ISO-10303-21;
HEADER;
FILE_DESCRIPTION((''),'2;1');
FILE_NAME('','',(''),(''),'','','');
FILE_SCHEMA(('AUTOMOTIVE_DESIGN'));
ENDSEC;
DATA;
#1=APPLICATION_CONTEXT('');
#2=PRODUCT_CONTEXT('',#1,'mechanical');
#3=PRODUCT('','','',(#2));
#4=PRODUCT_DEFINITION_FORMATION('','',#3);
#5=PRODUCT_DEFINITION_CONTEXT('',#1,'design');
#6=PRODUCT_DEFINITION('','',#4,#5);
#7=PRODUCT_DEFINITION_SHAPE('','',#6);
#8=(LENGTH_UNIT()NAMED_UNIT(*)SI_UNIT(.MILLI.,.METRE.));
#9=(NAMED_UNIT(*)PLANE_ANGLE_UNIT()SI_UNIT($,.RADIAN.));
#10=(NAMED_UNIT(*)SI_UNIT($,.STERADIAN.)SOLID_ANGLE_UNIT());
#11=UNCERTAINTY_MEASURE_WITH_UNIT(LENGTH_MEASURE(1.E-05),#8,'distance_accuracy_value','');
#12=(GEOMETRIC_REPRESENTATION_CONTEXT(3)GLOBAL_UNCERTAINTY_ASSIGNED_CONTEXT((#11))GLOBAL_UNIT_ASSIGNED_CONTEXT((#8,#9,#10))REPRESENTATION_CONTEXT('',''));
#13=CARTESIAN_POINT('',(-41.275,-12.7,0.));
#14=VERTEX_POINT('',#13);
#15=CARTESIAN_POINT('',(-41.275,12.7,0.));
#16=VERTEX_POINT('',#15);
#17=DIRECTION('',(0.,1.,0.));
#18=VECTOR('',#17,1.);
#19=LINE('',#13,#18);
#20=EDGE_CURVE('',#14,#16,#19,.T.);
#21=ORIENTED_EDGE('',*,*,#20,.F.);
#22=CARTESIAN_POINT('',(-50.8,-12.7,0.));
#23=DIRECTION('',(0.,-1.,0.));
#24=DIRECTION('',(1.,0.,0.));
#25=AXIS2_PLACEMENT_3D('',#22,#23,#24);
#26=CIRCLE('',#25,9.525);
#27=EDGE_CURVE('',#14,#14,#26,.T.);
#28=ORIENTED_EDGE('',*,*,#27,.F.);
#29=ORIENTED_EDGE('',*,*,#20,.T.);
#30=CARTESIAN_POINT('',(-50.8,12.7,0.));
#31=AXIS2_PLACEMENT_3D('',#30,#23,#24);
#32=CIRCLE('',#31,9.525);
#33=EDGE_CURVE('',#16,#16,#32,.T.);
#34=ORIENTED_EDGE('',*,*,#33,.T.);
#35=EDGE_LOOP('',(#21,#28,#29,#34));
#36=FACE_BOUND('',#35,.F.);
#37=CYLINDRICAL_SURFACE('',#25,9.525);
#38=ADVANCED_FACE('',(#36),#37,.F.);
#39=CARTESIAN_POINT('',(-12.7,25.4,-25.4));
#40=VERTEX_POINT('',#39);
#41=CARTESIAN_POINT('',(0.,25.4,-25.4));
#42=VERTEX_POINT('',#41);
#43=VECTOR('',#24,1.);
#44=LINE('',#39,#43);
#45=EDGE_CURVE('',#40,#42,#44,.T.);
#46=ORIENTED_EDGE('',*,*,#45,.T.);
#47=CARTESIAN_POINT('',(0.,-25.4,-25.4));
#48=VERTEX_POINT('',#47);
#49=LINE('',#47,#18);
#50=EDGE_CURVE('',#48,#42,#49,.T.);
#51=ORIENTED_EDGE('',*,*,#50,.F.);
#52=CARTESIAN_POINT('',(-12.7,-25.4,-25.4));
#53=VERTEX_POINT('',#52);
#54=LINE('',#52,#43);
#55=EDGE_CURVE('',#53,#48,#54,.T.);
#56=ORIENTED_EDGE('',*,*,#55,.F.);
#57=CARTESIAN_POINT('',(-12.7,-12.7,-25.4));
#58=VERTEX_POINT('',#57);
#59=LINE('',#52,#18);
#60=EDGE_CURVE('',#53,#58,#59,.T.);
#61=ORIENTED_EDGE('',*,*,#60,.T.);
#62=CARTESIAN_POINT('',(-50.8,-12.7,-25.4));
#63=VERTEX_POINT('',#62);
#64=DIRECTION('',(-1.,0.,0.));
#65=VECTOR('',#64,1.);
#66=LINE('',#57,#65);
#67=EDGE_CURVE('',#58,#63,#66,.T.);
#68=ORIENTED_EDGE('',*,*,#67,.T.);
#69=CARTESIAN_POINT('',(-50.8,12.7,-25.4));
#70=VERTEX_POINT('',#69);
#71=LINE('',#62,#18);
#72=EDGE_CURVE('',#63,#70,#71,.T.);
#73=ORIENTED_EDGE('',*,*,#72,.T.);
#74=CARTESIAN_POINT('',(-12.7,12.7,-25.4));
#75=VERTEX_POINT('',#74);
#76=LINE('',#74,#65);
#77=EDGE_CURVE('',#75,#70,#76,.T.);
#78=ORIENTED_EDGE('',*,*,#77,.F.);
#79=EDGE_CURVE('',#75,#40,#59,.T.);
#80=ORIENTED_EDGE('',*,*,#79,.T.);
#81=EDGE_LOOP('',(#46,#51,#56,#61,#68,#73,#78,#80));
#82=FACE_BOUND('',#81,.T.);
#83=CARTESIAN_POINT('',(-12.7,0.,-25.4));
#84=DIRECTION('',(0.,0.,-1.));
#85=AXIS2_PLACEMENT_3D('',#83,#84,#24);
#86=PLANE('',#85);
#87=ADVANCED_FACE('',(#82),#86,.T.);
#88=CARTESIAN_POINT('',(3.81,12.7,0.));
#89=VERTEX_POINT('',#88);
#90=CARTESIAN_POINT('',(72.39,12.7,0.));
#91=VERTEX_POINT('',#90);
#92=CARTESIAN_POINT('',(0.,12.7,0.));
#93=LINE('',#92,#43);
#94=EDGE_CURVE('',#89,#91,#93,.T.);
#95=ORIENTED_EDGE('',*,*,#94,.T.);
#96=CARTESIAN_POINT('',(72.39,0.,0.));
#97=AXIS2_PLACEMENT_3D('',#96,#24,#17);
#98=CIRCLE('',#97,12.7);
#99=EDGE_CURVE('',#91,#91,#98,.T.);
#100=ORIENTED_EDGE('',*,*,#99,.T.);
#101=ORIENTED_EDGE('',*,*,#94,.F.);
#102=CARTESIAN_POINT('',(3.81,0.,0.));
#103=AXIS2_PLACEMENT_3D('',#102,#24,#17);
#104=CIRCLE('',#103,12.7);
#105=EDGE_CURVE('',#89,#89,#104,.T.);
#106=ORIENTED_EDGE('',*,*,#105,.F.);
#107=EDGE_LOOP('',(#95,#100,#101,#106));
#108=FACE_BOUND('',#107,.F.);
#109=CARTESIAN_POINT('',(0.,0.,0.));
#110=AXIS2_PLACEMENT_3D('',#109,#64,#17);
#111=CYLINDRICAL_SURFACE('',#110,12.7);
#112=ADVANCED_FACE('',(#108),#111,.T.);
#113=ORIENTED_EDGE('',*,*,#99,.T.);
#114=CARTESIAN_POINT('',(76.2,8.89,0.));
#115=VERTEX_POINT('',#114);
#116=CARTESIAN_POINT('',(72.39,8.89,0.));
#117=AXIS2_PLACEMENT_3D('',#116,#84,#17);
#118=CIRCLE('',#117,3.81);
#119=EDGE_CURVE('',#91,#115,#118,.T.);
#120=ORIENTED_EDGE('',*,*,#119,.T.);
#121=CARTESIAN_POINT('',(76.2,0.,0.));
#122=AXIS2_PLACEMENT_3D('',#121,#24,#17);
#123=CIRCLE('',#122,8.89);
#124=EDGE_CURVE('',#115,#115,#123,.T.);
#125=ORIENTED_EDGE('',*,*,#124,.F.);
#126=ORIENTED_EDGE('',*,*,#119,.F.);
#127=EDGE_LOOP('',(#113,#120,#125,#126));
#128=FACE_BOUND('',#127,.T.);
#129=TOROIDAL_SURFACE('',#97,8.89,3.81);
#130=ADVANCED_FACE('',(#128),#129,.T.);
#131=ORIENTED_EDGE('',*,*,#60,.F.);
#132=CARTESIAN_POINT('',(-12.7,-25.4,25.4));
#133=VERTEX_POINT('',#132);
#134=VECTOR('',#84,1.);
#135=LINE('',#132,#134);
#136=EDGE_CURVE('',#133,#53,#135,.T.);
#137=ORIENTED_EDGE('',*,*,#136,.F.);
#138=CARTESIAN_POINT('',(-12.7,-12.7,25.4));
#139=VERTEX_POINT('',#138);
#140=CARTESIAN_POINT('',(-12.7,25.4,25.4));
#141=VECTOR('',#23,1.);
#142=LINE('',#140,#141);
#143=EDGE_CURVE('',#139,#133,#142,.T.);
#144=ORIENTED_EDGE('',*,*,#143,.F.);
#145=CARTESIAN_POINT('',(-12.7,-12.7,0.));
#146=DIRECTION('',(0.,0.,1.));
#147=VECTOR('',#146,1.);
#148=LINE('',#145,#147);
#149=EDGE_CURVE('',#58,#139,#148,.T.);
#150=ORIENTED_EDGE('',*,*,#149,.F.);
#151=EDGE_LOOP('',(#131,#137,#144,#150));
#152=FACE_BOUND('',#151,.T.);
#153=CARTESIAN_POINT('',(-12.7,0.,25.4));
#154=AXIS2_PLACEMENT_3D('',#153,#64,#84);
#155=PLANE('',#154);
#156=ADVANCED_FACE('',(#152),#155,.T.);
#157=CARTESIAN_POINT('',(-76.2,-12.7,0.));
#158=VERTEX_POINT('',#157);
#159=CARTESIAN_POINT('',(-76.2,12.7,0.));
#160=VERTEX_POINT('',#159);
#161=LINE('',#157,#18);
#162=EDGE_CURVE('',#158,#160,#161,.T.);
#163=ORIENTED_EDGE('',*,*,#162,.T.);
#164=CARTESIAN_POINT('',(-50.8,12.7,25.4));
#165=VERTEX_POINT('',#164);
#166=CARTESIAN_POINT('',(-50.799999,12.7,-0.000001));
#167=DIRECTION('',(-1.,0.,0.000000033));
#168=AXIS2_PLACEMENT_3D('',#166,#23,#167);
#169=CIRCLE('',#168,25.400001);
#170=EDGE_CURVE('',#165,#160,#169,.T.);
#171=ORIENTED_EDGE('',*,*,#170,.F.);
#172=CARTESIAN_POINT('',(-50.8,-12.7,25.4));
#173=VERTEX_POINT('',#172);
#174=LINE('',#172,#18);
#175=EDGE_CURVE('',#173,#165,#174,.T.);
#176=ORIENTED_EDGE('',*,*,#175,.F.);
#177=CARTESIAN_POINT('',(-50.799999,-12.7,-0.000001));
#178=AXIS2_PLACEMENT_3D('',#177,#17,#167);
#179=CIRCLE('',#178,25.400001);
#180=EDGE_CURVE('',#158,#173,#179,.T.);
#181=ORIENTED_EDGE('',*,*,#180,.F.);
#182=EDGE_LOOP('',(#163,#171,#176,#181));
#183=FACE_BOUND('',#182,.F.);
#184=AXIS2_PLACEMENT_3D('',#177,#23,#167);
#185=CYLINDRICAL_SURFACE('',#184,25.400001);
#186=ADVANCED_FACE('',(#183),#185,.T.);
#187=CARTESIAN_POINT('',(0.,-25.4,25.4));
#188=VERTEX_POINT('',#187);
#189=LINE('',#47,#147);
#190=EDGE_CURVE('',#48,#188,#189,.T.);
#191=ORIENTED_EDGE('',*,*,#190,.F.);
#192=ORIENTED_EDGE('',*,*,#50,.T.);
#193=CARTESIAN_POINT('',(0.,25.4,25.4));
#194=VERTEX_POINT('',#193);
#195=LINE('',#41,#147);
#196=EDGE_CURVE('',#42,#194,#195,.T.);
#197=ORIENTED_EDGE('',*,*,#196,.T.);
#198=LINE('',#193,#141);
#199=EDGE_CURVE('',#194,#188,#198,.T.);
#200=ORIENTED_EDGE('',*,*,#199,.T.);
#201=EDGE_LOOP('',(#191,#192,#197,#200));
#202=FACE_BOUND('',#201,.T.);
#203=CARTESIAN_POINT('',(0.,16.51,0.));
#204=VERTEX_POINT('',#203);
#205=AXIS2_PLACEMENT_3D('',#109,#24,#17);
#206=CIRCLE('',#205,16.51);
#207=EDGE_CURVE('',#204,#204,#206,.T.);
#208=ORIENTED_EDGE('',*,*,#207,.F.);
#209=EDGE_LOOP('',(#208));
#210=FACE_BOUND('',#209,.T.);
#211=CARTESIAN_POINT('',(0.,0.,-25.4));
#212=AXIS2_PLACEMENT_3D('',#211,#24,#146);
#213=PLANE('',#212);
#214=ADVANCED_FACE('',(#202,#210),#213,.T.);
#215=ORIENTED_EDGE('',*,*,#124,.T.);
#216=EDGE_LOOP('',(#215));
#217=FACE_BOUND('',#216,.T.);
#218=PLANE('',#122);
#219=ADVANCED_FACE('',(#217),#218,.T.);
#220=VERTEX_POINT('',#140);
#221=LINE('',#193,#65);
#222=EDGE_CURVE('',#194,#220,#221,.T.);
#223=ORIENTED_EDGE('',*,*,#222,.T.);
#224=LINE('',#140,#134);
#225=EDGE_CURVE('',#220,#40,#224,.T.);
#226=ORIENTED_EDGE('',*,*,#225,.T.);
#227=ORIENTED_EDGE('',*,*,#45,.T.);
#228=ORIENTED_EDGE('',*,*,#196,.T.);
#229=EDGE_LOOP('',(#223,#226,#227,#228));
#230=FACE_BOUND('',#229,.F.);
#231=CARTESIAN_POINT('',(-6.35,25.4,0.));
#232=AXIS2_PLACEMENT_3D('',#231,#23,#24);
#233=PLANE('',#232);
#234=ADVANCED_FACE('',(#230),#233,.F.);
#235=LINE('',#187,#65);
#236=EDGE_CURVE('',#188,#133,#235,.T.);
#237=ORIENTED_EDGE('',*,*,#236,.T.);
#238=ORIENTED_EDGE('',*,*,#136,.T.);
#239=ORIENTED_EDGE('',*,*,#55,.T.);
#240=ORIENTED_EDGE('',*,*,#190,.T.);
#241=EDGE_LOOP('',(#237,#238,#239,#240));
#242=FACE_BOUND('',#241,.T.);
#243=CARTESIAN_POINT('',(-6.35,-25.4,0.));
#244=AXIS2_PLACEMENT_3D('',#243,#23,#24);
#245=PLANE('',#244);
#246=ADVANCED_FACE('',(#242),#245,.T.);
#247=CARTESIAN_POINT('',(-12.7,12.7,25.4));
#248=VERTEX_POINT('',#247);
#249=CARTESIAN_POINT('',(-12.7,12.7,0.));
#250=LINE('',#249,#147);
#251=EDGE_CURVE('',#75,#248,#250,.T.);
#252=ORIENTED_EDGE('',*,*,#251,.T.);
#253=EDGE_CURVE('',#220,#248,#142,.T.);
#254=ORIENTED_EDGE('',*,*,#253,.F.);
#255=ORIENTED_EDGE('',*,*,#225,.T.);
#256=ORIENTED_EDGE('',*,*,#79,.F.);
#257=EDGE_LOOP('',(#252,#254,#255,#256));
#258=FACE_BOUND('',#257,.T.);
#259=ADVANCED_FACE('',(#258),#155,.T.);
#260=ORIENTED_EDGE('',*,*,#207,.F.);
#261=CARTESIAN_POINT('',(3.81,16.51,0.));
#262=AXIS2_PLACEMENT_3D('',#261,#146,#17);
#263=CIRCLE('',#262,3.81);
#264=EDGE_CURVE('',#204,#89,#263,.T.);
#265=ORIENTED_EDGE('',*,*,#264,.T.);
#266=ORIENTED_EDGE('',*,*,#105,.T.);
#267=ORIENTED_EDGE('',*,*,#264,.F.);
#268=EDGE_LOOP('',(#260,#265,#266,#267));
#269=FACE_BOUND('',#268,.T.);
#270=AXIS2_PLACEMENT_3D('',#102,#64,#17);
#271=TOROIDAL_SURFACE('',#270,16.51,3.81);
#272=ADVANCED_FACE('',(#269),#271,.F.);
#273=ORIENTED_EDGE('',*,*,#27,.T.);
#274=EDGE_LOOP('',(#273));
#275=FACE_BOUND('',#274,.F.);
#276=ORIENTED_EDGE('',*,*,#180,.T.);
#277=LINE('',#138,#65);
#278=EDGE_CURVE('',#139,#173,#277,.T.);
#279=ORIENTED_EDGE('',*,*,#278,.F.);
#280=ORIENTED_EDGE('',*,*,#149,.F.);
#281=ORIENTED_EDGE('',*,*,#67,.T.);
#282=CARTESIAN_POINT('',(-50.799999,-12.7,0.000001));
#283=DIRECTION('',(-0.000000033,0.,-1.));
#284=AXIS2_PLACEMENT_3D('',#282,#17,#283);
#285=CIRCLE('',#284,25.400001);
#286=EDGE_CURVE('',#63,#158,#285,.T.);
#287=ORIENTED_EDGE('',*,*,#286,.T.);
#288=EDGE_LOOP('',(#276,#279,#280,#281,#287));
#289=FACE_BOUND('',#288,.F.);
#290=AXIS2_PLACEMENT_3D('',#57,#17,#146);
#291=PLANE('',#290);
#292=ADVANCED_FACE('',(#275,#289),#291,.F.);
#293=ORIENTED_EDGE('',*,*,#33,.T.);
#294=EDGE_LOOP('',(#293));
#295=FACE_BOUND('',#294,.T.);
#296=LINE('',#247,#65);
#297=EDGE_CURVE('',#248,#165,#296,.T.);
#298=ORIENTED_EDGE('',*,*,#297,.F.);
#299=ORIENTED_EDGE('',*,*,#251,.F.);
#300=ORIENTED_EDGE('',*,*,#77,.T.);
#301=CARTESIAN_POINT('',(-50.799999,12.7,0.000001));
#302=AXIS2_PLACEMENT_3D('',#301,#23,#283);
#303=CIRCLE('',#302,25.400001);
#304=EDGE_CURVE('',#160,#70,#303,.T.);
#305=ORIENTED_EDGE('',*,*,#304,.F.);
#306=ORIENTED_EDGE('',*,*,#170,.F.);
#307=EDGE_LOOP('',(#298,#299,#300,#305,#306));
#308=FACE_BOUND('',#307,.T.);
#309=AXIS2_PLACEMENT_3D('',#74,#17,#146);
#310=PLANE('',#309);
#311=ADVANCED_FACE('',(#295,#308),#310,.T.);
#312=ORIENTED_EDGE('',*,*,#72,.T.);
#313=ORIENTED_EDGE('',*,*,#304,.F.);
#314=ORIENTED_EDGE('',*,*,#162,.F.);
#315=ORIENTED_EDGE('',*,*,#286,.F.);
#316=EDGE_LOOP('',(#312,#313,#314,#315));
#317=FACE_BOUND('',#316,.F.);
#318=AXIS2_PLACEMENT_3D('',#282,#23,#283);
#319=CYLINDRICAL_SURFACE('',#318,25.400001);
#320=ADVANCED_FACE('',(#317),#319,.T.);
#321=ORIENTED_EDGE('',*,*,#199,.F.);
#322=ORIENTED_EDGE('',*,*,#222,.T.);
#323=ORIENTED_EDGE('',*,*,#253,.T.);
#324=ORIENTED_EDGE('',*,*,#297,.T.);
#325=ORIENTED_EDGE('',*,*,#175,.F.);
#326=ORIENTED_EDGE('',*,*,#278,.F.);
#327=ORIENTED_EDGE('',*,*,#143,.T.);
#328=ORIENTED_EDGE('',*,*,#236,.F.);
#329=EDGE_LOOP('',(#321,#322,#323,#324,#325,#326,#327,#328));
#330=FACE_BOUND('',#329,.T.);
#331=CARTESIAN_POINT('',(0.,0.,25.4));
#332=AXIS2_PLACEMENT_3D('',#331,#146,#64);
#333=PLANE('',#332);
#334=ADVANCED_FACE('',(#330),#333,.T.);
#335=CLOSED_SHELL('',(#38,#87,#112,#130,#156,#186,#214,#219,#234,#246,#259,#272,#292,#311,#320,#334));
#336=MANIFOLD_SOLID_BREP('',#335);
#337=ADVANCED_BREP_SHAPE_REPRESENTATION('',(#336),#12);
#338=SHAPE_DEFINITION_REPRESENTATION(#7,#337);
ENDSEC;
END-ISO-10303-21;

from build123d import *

# Parameters (mm, degrees)
F0_R     = 12.7
F1_DEPTH = 76.2
F3_DEPTH = 25.4
F4_W     = 25.4
F4_H     = 50.8
F5_DEPTH = 63.5
F7_DEPTH = 38.101
F6_R     = 9.525
F8_DEPTH = 38.101
F9_R     = 3.81


with BuildPart() as f1:
    # F0 (on Right) → F1 (new body)
    with BuildSketch(Plane.YZ):
        Circle(F0_R)
    extrude(amount=F1_DEPTH)

    # F2 (on Front) → F3 (join, symmetric)
    with BuildSketch(Plane.XZ):
        Polygon((0, -25.4), (0, 0), (0, 25.4), (-12.7, 25.4), (-12.7, -25.4), align=None)
    extrude(amount=F3_DEPTH, both=True)

    # F4 (on face) → F5 (join)
    with BuildSketch(Plane(origin=(-12.7, 0, 0), x_dir=(0, -1, 0), z_dir=(-1, 0, 0))):
        Rectangle(F4_W, F4_H)
    extrude(amount=F5_DEPTH)

    # F6 (on face) → F7 (cut, through all)
    with BuildSketch(Plane.XZ.offset(12.7)):
        with BuildLine():
            Line((-76.2, 25.4), (-76.2, 0))
            ThreePointArc((-76.2, 0), (-68.760512, 17.960512), (-50.8, 25.4))
            Line((-50.8, 25.4), (-76.2, 25.4))
        make_face()
        with BuildLine():
            ThreePointArc((-50.8, -25.4), (-68.760512, -17.960512), (-76.2, 0))
            Line((-76.2, 0), (-76.2, -25.4))
            Line((-76.2, -25.4), (-50.8, -25.4))
        make_face()
    extrude(amount=-F7_DEPTH, mode=Mode.SUBTRACT)

    # F6 (on face) → F8 (cut, through all)
    with BuildSketch(Plane.XZ.offset(12.7)):
        with Locations((-50.8, 0)):
            Circle(F6_R)
    extrude(amount=-F8_DEPTH, mode=Mode.SUBTRACT)

    # F9
    f9_edges = [f1.edges().sort_by_distance(p)[0] for p in [
        (76.2, -12.7, 0),
        (0, -12.7, 0),
    ]]
    fillet(f9_edges, radius=F9_R)


solid = f1.part
